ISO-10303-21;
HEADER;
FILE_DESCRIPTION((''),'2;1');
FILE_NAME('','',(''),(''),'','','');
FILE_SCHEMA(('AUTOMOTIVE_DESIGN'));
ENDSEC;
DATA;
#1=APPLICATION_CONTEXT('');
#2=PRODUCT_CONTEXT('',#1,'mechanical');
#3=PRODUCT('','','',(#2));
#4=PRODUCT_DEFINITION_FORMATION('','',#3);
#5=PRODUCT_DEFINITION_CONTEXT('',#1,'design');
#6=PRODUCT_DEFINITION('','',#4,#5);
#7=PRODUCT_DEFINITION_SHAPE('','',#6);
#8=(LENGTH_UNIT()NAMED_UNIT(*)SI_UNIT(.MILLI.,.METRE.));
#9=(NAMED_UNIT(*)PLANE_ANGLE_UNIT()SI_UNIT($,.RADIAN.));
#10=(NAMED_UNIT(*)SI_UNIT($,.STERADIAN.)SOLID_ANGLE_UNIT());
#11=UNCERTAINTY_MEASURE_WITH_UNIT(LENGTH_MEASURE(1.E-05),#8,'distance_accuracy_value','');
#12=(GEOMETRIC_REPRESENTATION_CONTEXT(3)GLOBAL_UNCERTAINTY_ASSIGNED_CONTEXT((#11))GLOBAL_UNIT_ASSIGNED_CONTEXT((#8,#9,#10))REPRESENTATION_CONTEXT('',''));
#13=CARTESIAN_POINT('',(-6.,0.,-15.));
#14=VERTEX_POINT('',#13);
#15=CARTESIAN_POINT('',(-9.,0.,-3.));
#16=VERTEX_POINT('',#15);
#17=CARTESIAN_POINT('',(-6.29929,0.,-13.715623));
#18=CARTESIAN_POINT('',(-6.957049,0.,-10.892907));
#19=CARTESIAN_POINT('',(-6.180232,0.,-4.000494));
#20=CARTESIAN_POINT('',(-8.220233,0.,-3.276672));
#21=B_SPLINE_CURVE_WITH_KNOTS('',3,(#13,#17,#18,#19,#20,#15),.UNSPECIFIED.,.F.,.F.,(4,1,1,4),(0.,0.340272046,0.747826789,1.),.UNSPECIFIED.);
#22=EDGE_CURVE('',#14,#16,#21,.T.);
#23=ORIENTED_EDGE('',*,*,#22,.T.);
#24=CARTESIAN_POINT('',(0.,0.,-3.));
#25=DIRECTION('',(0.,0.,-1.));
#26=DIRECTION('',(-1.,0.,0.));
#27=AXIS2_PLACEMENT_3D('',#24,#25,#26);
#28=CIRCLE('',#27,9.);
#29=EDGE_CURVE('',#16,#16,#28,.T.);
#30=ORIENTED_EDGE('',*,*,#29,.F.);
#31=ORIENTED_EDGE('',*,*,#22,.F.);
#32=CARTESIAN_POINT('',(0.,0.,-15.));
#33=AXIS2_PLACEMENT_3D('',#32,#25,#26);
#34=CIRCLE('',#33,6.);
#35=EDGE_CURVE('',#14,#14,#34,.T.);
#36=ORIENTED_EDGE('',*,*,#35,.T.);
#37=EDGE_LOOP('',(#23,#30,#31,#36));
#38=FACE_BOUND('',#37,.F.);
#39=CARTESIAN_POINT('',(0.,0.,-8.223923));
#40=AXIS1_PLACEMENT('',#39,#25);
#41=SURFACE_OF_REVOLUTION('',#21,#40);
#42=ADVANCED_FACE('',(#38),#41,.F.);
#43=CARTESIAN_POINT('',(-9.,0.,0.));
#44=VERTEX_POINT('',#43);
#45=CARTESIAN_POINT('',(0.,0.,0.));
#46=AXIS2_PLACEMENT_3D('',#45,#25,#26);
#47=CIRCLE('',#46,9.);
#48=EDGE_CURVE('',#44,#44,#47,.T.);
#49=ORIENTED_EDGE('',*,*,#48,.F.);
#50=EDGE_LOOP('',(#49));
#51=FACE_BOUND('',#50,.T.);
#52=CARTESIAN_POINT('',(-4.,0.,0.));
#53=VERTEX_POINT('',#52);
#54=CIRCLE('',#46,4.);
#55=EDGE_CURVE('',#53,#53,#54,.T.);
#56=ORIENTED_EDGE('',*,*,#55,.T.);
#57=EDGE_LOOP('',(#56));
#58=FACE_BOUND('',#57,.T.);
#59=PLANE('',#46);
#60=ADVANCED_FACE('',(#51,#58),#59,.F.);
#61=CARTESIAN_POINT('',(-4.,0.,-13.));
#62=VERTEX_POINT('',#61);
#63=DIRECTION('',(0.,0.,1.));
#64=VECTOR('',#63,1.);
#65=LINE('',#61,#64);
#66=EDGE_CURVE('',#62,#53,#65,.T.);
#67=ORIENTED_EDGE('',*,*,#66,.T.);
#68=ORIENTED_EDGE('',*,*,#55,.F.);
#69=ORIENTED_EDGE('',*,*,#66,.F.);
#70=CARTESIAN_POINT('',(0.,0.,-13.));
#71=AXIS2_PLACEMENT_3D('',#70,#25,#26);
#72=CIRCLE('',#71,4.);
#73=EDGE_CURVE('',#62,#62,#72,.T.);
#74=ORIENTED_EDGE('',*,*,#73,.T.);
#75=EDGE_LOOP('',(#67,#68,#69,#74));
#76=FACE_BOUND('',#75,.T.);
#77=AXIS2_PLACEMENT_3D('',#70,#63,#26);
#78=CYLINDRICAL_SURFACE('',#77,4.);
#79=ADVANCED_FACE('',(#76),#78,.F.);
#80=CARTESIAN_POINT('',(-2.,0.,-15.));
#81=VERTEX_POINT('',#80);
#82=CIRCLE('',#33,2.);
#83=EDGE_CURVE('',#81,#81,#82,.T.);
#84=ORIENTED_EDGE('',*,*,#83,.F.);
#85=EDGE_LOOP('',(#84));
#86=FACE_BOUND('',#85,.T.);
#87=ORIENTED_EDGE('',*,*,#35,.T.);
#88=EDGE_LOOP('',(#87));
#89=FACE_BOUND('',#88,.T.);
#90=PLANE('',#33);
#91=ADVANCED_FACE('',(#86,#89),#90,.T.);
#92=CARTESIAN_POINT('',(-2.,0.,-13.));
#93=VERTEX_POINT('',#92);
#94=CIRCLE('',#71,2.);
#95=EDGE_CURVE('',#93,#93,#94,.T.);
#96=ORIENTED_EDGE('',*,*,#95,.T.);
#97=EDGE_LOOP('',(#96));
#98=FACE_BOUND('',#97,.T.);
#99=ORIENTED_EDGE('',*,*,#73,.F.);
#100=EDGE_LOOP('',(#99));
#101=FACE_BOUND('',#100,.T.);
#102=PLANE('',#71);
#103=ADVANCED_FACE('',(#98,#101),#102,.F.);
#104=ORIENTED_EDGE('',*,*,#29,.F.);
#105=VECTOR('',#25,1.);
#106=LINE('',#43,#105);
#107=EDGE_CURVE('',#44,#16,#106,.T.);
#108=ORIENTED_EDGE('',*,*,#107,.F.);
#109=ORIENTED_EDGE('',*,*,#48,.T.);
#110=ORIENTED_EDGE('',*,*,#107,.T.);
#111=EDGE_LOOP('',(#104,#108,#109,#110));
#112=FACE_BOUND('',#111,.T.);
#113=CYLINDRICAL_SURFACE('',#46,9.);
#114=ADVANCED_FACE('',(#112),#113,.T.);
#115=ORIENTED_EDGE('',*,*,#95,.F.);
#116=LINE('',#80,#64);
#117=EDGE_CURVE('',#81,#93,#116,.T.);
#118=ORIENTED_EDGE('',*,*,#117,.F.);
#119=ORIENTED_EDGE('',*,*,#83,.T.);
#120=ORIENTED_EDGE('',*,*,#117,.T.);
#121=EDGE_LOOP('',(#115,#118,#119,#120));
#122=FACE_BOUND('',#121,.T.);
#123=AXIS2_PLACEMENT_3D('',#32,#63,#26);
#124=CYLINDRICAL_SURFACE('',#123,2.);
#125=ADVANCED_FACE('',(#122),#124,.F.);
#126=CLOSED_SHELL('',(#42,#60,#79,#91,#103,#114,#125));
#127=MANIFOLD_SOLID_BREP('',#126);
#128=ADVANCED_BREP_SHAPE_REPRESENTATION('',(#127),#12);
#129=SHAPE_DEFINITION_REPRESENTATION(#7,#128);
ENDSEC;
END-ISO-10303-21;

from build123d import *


with BuildPart() as f1:
    # F0 (on Front) → F1 (revolve)
    with BuildSketch(Plane.XZ):
        with BuildLine():
            Line((-4, 0), (-9, 0))
            Line((-9, 0), (-9, -3))
            add(Edge.make_bspline(
                [(-6, -15), (-6.2992899593, -13.7156231877), (-6.9570491012, -10.8929070771), (-6.180231646, -4.0004939564), (-8.2202334339, -3.276672279), (-9, -3)],
                knots=[0, 0, 0, 0, 0.3402720465, 0.7478267892, 1, 1, 1, 1], degree=3))
            Line((-6, -15), (-2, -15))
            Line((-2, -15), (-2, -13))
            Line((-2, -13), (-4, -13))
            Line((-4, -13), (-4, 0))
        make_face()
    revolve(axis=Axis((0, 0, -8.2239229232), (0, 0, -1)))


solid = f1.part
